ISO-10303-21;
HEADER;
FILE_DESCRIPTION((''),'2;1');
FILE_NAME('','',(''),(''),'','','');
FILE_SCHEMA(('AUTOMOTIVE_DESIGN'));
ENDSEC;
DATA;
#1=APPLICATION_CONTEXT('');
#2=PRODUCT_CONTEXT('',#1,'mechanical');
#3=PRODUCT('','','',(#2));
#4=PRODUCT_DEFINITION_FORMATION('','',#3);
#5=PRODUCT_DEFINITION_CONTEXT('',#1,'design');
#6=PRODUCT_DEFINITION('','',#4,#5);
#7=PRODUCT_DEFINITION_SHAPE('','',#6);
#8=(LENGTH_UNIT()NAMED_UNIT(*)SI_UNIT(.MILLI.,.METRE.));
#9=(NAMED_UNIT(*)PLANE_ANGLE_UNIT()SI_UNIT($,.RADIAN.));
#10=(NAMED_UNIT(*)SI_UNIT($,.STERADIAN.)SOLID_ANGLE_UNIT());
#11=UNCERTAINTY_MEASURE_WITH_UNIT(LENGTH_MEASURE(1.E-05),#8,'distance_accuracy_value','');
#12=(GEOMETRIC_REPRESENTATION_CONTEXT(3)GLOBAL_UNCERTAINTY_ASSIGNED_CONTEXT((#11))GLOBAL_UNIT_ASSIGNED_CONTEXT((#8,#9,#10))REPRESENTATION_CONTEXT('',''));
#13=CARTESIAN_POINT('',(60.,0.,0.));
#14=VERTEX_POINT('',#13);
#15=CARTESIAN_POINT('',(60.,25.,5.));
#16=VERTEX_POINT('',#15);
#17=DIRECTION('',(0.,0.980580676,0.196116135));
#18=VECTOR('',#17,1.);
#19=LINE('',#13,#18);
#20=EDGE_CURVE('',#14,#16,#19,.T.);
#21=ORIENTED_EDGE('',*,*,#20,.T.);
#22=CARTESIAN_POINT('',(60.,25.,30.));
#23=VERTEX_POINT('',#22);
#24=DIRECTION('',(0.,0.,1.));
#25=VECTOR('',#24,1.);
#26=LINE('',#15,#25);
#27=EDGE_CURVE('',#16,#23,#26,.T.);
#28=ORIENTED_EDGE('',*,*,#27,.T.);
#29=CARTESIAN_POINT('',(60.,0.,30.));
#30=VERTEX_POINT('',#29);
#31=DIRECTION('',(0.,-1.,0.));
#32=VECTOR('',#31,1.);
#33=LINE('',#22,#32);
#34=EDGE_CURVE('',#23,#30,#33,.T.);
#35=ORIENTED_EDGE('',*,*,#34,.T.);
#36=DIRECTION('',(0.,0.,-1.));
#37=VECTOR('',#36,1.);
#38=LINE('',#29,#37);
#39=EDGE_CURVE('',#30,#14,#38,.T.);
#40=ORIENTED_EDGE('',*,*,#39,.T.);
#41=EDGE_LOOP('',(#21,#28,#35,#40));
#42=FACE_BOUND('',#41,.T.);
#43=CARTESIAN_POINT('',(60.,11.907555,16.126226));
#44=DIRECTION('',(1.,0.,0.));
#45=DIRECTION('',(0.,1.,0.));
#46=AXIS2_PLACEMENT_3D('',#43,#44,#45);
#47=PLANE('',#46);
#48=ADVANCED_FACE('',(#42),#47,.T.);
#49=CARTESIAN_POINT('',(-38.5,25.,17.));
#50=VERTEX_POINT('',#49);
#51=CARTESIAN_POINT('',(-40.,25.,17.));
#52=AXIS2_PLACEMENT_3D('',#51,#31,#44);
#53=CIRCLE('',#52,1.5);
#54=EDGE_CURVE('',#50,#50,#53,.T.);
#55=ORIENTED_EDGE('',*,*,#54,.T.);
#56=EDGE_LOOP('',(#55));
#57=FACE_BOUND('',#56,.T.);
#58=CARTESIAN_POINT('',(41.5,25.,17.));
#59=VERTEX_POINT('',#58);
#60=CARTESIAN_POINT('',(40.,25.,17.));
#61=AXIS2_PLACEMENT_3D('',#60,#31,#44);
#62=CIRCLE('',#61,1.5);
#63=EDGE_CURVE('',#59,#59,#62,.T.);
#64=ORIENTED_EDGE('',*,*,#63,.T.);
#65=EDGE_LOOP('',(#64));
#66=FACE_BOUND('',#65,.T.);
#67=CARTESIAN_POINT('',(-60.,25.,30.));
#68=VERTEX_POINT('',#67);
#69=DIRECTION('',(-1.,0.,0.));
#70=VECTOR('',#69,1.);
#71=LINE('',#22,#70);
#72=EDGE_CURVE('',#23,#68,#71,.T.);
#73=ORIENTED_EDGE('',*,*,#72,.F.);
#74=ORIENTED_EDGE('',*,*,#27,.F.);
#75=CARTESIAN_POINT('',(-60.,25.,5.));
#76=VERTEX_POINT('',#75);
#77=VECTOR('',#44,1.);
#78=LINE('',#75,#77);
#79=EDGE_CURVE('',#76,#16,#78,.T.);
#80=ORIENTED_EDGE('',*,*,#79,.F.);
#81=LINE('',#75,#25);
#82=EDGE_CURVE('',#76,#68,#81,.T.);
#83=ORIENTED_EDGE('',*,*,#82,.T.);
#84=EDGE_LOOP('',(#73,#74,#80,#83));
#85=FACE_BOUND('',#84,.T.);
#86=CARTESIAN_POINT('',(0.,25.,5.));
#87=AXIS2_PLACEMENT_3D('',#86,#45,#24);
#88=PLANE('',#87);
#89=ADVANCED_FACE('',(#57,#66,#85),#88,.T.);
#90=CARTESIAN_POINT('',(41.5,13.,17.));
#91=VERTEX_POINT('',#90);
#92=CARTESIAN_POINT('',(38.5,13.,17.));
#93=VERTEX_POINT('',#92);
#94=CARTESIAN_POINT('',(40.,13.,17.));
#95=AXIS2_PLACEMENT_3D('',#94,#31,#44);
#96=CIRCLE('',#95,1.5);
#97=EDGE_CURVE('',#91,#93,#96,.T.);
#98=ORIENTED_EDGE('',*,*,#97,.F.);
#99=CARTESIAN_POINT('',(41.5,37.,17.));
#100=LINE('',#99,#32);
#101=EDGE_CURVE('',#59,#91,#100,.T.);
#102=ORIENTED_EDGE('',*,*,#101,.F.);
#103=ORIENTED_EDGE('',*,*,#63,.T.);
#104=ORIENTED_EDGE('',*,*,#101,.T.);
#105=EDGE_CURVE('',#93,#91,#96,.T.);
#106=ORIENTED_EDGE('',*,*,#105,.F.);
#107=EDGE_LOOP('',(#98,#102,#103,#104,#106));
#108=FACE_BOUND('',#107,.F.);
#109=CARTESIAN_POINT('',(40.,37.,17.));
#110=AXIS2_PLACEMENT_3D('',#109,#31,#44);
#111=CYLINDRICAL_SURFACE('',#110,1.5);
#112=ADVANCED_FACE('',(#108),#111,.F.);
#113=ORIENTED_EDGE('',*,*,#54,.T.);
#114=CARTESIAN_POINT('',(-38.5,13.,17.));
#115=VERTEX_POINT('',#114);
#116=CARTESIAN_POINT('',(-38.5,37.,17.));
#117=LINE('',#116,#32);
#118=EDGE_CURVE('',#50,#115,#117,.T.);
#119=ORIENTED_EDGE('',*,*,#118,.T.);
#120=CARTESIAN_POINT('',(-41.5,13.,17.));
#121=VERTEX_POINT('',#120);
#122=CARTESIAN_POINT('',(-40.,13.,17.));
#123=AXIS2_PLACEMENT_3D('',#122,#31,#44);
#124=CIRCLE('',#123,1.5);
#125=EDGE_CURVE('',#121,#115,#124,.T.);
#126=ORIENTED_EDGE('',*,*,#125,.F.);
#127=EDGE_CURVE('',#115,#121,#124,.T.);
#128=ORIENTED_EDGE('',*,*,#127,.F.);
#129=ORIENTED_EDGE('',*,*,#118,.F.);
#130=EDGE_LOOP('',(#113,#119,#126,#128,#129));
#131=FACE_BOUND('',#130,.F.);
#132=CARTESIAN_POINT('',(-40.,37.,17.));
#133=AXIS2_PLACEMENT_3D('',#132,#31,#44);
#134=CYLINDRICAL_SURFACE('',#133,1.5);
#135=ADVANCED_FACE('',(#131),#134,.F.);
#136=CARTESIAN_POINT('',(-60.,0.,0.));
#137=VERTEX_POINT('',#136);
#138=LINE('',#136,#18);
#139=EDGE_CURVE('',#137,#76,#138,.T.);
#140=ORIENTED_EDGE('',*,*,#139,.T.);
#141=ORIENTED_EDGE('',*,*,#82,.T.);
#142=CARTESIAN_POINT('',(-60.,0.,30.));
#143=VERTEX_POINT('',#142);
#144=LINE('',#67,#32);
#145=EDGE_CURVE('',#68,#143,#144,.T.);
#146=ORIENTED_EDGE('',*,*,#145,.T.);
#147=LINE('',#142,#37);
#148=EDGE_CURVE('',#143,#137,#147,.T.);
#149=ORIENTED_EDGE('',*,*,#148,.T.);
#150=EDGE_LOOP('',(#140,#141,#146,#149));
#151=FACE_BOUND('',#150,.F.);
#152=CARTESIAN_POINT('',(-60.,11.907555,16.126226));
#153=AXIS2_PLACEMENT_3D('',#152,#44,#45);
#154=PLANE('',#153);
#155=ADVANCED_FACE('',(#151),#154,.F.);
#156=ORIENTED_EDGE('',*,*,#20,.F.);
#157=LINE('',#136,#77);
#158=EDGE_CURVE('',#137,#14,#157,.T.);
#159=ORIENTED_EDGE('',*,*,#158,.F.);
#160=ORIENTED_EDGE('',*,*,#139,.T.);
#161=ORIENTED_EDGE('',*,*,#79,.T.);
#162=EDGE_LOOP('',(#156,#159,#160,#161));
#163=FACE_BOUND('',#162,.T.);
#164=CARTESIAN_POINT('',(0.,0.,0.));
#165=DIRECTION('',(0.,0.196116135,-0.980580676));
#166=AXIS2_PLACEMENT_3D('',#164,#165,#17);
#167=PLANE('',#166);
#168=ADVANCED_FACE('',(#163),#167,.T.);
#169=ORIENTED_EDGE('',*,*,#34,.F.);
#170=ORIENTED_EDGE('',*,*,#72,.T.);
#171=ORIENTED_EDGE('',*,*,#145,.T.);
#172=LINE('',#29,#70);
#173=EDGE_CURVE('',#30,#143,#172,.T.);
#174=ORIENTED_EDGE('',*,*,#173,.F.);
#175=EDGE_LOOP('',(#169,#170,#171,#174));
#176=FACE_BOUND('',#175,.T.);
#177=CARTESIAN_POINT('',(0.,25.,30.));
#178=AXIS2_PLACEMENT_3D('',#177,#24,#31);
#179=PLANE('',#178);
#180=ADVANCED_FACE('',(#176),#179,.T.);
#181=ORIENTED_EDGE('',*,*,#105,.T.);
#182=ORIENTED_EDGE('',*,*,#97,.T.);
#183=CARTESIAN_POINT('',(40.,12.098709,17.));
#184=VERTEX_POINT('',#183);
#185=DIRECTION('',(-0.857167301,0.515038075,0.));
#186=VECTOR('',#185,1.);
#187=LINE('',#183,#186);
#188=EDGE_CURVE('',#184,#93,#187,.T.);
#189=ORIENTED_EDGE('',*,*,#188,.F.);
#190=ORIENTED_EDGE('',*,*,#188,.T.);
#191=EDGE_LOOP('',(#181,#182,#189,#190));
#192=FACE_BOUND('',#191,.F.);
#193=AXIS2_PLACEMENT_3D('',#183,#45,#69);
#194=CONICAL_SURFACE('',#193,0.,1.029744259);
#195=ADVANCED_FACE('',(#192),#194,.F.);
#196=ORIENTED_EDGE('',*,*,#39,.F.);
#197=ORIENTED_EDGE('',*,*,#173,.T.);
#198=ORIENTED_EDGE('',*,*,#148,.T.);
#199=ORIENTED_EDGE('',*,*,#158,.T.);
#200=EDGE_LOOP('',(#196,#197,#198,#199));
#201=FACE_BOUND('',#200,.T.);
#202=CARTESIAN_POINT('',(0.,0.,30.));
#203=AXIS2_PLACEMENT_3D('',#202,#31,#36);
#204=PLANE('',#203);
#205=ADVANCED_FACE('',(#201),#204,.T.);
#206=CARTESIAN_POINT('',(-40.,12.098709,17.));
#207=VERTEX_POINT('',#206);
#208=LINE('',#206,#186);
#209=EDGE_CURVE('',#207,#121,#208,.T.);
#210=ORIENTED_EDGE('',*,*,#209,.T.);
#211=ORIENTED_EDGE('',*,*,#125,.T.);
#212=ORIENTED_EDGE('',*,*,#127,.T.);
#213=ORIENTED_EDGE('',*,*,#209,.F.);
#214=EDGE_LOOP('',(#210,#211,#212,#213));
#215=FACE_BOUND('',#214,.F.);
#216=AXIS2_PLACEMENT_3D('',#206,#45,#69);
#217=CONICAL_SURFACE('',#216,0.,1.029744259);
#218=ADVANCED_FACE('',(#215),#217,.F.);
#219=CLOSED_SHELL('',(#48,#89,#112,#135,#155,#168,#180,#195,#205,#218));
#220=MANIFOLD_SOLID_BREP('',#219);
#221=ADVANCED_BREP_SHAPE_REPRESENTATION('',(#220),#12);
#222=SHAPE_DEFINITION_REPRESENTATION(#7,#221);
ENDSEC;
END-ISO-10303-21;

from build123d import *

# Parameters (mm, degrees)
F1_DEPTH = 60
F3_D     = 3
F3_DEPTH = 12
F3_TIP   = 0.9012909285


with BuildPart() as f1:
    # F0 (on Right) → F1 (new body, symmetric)
    with BuildSketch(Plane.YZ):
        Polygon((0, 30), (0, 0), (25, 5), (25, 30), align=None)
    extrude(amount=F1_DEPTH, both=True)

    # F3
    with Locations(Plane(origin=(0, 25, 0), x_dir=(-1, 0, 0), z_dir=(0, 1, 0))):
        with Locations((-40, 17), (40, 17)):
            Hole(F3_D / 2, depth=F3_DEPTH)
            with Locations((0, 0, -(F3_DEPTH + F3_TIP / 2))):  # 118° drill point
                Cone(0, F3_D / 2, F3_TIP, mode=Mode.SUBTRACT)


solid = f1.part
